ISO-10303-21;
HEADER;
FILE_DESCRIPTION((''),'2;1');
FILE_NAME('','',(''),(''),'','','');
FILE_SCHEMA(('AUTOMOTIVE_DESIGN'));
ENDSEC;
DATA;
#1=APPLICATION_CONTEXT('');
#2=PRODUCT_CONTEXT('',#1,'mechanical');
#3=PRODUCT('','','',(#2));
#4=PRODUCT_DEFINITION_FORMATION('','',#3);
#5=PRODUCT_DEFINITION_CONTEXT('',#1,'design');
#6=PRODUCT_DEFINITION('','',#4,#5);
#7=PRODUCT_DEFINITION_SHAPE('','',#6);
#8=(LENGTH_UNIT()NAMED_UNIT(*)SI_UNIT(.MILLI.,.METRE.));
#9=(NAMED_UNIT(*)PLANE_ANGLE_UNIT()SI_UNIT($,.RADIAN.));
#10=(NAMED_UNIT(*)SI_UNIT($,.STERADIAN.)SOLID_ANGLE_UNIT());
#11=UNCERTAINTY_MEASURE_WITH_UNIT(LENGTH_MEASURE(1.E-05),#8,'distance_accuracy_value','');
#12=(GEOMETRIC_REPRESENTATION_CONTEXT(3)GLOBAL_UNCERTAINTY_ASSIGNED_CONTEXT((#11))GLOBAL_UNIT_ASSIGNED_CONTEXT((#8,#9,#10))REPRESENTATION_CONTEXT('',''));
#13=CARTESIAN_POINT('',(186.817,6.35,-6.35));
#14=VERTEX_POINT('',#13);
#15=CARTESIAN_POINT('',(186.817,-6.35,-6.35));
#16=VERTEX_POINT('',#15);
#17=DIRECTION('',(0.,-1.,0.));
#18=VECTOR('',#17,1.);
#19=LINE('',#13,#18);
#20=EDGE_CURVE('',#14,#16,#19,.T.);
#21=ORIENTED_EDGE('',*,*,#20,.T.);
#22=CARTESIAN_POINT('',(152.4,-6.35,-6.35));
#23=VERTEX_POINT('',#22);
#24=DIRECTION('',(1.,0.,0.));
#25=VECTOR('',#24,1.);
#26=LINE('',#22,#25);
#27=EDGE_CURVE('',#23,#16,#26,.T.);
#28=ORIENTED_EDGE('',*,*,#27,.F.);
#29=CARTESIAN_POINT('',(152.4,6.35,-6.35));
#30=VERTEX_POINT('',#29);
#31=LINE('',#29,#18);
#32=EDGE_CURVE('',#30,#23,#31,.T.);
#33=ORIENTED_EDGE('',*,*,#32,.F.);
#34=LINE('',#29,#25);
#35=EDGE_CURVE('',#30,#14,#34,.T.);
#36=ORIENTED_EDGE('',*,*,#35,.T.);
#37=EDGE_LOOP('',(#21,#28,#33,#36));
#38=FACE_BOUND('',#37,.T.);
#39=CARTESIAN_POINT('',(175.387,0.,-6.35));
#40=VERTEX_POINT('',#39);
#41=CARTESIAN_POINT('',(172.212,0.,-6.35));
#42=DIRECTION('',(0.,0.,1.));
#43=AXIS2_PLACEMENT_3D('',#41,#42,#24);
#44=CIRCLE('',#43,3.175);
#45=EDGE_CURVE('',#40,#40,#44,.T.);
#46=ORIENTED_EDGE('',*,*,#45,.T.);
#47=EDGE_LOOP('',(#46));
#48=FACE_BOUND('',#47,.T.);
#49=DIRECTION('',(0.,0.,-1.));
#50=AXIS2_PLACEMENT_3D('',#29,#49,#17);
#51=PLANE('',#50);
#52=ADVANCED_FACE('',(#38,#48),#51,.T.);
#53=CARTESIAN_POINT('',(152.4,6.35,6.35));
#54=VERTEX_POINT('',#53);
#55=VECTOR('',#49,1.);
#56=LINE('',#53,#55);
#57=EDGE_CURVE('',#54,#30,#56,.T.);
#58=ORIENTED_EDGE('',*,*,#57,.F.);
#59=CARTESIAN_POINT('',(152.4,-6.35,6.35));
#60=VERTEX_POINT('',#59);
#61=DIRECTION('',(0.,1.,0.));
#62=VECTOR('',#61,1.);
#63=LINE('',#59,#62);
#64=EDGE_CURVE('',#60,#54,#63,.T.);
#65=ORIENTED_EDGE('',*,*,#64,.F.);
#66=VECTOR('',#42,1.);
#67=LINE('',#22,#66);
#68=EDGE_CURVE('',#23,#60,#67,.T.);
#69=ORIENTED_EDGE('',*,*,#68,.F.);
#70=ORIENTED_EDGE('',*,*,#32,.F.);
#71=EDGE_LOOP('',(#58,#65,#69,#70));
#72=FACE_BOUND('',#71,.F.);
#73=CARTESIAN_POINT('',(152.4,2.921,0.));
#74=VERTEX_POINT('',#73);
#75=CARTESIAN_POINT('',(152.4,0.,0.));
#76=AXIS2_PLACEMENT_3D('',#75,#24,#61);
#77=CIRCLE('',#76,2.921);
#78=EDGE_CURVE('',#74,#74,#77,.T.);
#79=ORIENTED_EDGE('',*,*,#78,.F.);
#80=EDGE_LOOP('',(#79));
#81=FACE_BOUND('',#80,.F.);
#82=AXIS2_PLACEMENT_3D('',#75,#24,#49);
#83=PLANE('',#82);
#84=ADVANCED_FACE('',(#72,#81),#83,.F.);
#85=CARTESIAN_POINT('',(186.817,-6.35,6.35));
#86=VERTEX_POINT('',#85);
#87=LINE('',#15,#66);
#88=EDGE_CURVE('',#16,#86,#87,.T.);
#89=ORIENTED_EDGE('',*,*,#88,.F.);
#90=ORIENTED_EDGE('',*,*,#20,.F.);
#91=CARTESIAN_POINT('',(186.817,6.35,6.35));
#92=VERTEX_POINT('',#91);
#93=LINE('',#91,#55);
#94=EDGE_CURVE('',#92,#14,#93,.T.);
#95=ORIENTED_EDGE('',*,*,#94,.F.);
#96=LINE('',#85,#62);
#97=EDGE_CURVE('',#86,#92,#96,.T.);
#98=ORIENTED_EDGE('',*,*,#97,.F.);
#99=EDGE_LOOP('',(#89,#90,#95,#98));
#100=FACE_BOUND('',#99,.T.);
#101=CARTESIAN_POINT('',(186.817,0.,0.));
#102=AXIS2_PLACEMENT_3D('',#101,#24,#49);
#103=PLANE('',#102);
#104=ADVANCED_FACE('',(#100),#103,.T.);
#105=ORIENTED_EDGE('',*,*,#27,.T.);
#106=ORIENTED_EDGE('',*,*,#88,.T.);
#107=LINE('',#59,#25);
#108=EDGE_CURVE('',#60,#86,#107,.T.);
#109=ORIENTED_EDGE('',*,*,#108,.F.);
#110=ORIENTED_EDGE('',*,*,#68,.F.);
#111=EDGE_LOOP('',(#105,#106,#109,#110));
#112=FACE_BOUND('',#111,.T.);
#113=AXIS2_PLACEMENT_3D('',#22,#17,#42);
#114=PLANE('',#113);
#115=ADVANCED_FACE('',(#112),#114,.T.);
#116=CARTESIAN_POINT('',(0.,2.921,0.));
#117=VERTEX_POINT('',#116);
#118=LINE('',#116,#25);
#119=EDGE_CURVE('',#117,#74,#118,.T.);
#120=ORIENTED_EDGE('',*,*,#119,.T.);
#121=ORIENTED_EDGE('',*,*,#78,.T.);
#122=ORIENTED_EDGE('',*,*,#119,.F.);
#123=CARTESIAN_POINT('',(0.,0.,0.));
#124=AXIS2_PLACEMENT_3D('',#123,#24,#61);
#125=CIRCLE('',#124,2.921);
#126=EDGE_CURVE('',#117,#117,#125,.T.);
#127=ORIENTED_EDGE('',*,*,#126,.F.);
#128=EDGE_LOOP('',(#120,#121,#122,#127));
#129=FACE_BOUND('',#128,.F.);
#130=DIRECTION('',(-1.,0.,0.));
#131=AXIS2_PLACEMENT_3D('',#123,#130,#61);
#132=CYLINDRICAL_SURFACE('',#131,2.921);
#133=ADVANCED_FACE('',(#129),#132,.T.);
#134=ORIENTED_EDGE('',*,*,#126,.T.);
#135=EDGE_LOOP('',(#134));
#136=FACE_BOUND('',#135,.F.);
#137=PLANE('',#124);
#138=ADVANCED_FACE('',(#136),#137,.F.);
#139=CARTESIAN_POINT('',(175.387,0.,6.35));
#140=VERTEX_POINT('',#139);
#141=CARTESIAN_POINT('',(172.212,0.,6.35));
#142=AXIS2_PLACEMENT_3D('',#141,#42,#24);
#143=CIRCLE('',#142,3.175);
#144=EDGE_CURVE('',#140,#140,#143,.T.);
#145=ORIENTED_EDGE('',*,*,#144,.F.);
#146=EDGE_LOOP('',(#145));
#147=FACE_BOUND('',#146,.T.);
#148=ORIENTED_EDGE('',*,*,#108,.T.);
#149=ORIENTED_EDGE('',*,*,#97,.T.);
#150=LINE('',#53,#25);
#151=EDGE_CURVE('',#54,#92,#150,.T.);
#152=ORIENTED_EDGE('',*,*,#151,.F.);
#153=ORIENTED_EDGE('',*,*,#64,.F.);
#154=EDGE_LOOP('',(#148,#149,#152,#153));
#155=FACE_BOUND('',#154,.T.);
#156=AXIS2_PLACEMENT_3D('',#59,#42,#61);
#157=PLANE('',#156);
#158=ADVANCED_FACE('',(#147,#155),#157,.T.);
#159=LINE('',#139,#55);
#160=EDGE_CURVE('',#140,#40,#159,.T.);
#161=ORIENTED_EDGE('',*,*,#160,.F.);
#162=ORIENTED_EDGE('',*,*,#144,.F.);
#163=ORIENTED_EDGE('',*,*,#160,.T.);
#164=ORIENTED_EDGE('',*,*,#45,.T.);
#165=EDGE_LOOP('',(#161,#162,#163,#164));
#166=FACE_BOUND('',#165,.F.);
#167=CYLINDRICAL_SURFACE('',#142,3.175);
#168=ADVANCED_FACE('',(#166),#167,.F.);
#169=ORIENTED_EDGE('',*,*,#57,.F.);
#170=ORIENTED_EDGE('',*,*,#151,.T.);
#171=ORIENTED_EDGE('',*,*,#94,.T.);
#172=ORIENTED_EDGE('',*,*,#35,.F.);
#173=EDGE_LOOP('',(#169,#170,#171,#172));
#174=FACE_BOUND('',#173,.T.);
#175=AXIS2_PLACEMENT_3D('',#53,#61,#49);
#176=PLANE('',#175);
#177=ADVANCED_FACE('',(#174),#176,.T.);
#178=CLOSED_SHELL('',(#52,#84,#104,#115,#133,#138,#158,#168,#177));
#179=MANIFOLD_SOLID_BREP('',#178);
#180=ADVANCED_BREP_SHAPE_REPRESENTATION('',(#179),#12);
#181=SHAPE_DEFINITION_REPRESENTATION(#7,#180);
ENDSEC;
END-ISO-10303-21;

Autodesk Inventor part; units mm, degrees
ref_plane "YZ Plane" through (0, 0, 0) normal (1, 0, 0) x (0, 1, 0)
ref_plane "XZ Plane" through (0, 0, 0) normal (0, 1, 0) x (-1, 0, 0)
ref_plane "XY Plane" through (0, 0, 0) normal (0, 0, 1) x (1, 0, 0)
sketch "Sketch1" plane through (0, 0, 0) normal (1, 0, 0) x (0, 1, 0)
  circle A0 centre (0, 0) radius 2.921
  dimension "d0" = 5.842
extrude "Extrusion1" add sketch "Sketch1" along normal blind 152.4
sketch "Sketch2" plane through (152.4, 0, 0) normal (1, 0, 0) x (0, 0, -1)
  line L0 (-6.35, 6.35) -> (6.35, 6.35)
  line L1 (6.35, 6.35) -> (6.35, -6.35)
  line L2 (6.35, -6.35) -> (-6.35, -6.35)
  line L3 (-6.35, -6.35) -> (-6.35, 6.35)
  point P0 (0, 0)
  dimension "d5" = 12.7
  dimension "d6" = 12.7
  dimension "d7" = 6.35
  dimension "d8" = 6.35
extrude "Extrusion2" add sketch "Sketch2" along normal blind 34.417
sketch "Sketch3" plane through (152.4, -6.35, 6.35) normal (0, 0, 1) x (1, 0, 0)
  circle A0 centre (19.812, 6.35) radius 3.175
  line L0 (34.417, 12.7) -> (34.417, 0) projected
  point P0 (-152.4, 6.35)
  dimension "d12" = 0
  dimension "d9" = 6.35
  dimension "d10" = 14.605
extrude "Extrusion3" cut sketch "Sketch3" against normal blind 34.417
properties part number "SolenoidArm"
